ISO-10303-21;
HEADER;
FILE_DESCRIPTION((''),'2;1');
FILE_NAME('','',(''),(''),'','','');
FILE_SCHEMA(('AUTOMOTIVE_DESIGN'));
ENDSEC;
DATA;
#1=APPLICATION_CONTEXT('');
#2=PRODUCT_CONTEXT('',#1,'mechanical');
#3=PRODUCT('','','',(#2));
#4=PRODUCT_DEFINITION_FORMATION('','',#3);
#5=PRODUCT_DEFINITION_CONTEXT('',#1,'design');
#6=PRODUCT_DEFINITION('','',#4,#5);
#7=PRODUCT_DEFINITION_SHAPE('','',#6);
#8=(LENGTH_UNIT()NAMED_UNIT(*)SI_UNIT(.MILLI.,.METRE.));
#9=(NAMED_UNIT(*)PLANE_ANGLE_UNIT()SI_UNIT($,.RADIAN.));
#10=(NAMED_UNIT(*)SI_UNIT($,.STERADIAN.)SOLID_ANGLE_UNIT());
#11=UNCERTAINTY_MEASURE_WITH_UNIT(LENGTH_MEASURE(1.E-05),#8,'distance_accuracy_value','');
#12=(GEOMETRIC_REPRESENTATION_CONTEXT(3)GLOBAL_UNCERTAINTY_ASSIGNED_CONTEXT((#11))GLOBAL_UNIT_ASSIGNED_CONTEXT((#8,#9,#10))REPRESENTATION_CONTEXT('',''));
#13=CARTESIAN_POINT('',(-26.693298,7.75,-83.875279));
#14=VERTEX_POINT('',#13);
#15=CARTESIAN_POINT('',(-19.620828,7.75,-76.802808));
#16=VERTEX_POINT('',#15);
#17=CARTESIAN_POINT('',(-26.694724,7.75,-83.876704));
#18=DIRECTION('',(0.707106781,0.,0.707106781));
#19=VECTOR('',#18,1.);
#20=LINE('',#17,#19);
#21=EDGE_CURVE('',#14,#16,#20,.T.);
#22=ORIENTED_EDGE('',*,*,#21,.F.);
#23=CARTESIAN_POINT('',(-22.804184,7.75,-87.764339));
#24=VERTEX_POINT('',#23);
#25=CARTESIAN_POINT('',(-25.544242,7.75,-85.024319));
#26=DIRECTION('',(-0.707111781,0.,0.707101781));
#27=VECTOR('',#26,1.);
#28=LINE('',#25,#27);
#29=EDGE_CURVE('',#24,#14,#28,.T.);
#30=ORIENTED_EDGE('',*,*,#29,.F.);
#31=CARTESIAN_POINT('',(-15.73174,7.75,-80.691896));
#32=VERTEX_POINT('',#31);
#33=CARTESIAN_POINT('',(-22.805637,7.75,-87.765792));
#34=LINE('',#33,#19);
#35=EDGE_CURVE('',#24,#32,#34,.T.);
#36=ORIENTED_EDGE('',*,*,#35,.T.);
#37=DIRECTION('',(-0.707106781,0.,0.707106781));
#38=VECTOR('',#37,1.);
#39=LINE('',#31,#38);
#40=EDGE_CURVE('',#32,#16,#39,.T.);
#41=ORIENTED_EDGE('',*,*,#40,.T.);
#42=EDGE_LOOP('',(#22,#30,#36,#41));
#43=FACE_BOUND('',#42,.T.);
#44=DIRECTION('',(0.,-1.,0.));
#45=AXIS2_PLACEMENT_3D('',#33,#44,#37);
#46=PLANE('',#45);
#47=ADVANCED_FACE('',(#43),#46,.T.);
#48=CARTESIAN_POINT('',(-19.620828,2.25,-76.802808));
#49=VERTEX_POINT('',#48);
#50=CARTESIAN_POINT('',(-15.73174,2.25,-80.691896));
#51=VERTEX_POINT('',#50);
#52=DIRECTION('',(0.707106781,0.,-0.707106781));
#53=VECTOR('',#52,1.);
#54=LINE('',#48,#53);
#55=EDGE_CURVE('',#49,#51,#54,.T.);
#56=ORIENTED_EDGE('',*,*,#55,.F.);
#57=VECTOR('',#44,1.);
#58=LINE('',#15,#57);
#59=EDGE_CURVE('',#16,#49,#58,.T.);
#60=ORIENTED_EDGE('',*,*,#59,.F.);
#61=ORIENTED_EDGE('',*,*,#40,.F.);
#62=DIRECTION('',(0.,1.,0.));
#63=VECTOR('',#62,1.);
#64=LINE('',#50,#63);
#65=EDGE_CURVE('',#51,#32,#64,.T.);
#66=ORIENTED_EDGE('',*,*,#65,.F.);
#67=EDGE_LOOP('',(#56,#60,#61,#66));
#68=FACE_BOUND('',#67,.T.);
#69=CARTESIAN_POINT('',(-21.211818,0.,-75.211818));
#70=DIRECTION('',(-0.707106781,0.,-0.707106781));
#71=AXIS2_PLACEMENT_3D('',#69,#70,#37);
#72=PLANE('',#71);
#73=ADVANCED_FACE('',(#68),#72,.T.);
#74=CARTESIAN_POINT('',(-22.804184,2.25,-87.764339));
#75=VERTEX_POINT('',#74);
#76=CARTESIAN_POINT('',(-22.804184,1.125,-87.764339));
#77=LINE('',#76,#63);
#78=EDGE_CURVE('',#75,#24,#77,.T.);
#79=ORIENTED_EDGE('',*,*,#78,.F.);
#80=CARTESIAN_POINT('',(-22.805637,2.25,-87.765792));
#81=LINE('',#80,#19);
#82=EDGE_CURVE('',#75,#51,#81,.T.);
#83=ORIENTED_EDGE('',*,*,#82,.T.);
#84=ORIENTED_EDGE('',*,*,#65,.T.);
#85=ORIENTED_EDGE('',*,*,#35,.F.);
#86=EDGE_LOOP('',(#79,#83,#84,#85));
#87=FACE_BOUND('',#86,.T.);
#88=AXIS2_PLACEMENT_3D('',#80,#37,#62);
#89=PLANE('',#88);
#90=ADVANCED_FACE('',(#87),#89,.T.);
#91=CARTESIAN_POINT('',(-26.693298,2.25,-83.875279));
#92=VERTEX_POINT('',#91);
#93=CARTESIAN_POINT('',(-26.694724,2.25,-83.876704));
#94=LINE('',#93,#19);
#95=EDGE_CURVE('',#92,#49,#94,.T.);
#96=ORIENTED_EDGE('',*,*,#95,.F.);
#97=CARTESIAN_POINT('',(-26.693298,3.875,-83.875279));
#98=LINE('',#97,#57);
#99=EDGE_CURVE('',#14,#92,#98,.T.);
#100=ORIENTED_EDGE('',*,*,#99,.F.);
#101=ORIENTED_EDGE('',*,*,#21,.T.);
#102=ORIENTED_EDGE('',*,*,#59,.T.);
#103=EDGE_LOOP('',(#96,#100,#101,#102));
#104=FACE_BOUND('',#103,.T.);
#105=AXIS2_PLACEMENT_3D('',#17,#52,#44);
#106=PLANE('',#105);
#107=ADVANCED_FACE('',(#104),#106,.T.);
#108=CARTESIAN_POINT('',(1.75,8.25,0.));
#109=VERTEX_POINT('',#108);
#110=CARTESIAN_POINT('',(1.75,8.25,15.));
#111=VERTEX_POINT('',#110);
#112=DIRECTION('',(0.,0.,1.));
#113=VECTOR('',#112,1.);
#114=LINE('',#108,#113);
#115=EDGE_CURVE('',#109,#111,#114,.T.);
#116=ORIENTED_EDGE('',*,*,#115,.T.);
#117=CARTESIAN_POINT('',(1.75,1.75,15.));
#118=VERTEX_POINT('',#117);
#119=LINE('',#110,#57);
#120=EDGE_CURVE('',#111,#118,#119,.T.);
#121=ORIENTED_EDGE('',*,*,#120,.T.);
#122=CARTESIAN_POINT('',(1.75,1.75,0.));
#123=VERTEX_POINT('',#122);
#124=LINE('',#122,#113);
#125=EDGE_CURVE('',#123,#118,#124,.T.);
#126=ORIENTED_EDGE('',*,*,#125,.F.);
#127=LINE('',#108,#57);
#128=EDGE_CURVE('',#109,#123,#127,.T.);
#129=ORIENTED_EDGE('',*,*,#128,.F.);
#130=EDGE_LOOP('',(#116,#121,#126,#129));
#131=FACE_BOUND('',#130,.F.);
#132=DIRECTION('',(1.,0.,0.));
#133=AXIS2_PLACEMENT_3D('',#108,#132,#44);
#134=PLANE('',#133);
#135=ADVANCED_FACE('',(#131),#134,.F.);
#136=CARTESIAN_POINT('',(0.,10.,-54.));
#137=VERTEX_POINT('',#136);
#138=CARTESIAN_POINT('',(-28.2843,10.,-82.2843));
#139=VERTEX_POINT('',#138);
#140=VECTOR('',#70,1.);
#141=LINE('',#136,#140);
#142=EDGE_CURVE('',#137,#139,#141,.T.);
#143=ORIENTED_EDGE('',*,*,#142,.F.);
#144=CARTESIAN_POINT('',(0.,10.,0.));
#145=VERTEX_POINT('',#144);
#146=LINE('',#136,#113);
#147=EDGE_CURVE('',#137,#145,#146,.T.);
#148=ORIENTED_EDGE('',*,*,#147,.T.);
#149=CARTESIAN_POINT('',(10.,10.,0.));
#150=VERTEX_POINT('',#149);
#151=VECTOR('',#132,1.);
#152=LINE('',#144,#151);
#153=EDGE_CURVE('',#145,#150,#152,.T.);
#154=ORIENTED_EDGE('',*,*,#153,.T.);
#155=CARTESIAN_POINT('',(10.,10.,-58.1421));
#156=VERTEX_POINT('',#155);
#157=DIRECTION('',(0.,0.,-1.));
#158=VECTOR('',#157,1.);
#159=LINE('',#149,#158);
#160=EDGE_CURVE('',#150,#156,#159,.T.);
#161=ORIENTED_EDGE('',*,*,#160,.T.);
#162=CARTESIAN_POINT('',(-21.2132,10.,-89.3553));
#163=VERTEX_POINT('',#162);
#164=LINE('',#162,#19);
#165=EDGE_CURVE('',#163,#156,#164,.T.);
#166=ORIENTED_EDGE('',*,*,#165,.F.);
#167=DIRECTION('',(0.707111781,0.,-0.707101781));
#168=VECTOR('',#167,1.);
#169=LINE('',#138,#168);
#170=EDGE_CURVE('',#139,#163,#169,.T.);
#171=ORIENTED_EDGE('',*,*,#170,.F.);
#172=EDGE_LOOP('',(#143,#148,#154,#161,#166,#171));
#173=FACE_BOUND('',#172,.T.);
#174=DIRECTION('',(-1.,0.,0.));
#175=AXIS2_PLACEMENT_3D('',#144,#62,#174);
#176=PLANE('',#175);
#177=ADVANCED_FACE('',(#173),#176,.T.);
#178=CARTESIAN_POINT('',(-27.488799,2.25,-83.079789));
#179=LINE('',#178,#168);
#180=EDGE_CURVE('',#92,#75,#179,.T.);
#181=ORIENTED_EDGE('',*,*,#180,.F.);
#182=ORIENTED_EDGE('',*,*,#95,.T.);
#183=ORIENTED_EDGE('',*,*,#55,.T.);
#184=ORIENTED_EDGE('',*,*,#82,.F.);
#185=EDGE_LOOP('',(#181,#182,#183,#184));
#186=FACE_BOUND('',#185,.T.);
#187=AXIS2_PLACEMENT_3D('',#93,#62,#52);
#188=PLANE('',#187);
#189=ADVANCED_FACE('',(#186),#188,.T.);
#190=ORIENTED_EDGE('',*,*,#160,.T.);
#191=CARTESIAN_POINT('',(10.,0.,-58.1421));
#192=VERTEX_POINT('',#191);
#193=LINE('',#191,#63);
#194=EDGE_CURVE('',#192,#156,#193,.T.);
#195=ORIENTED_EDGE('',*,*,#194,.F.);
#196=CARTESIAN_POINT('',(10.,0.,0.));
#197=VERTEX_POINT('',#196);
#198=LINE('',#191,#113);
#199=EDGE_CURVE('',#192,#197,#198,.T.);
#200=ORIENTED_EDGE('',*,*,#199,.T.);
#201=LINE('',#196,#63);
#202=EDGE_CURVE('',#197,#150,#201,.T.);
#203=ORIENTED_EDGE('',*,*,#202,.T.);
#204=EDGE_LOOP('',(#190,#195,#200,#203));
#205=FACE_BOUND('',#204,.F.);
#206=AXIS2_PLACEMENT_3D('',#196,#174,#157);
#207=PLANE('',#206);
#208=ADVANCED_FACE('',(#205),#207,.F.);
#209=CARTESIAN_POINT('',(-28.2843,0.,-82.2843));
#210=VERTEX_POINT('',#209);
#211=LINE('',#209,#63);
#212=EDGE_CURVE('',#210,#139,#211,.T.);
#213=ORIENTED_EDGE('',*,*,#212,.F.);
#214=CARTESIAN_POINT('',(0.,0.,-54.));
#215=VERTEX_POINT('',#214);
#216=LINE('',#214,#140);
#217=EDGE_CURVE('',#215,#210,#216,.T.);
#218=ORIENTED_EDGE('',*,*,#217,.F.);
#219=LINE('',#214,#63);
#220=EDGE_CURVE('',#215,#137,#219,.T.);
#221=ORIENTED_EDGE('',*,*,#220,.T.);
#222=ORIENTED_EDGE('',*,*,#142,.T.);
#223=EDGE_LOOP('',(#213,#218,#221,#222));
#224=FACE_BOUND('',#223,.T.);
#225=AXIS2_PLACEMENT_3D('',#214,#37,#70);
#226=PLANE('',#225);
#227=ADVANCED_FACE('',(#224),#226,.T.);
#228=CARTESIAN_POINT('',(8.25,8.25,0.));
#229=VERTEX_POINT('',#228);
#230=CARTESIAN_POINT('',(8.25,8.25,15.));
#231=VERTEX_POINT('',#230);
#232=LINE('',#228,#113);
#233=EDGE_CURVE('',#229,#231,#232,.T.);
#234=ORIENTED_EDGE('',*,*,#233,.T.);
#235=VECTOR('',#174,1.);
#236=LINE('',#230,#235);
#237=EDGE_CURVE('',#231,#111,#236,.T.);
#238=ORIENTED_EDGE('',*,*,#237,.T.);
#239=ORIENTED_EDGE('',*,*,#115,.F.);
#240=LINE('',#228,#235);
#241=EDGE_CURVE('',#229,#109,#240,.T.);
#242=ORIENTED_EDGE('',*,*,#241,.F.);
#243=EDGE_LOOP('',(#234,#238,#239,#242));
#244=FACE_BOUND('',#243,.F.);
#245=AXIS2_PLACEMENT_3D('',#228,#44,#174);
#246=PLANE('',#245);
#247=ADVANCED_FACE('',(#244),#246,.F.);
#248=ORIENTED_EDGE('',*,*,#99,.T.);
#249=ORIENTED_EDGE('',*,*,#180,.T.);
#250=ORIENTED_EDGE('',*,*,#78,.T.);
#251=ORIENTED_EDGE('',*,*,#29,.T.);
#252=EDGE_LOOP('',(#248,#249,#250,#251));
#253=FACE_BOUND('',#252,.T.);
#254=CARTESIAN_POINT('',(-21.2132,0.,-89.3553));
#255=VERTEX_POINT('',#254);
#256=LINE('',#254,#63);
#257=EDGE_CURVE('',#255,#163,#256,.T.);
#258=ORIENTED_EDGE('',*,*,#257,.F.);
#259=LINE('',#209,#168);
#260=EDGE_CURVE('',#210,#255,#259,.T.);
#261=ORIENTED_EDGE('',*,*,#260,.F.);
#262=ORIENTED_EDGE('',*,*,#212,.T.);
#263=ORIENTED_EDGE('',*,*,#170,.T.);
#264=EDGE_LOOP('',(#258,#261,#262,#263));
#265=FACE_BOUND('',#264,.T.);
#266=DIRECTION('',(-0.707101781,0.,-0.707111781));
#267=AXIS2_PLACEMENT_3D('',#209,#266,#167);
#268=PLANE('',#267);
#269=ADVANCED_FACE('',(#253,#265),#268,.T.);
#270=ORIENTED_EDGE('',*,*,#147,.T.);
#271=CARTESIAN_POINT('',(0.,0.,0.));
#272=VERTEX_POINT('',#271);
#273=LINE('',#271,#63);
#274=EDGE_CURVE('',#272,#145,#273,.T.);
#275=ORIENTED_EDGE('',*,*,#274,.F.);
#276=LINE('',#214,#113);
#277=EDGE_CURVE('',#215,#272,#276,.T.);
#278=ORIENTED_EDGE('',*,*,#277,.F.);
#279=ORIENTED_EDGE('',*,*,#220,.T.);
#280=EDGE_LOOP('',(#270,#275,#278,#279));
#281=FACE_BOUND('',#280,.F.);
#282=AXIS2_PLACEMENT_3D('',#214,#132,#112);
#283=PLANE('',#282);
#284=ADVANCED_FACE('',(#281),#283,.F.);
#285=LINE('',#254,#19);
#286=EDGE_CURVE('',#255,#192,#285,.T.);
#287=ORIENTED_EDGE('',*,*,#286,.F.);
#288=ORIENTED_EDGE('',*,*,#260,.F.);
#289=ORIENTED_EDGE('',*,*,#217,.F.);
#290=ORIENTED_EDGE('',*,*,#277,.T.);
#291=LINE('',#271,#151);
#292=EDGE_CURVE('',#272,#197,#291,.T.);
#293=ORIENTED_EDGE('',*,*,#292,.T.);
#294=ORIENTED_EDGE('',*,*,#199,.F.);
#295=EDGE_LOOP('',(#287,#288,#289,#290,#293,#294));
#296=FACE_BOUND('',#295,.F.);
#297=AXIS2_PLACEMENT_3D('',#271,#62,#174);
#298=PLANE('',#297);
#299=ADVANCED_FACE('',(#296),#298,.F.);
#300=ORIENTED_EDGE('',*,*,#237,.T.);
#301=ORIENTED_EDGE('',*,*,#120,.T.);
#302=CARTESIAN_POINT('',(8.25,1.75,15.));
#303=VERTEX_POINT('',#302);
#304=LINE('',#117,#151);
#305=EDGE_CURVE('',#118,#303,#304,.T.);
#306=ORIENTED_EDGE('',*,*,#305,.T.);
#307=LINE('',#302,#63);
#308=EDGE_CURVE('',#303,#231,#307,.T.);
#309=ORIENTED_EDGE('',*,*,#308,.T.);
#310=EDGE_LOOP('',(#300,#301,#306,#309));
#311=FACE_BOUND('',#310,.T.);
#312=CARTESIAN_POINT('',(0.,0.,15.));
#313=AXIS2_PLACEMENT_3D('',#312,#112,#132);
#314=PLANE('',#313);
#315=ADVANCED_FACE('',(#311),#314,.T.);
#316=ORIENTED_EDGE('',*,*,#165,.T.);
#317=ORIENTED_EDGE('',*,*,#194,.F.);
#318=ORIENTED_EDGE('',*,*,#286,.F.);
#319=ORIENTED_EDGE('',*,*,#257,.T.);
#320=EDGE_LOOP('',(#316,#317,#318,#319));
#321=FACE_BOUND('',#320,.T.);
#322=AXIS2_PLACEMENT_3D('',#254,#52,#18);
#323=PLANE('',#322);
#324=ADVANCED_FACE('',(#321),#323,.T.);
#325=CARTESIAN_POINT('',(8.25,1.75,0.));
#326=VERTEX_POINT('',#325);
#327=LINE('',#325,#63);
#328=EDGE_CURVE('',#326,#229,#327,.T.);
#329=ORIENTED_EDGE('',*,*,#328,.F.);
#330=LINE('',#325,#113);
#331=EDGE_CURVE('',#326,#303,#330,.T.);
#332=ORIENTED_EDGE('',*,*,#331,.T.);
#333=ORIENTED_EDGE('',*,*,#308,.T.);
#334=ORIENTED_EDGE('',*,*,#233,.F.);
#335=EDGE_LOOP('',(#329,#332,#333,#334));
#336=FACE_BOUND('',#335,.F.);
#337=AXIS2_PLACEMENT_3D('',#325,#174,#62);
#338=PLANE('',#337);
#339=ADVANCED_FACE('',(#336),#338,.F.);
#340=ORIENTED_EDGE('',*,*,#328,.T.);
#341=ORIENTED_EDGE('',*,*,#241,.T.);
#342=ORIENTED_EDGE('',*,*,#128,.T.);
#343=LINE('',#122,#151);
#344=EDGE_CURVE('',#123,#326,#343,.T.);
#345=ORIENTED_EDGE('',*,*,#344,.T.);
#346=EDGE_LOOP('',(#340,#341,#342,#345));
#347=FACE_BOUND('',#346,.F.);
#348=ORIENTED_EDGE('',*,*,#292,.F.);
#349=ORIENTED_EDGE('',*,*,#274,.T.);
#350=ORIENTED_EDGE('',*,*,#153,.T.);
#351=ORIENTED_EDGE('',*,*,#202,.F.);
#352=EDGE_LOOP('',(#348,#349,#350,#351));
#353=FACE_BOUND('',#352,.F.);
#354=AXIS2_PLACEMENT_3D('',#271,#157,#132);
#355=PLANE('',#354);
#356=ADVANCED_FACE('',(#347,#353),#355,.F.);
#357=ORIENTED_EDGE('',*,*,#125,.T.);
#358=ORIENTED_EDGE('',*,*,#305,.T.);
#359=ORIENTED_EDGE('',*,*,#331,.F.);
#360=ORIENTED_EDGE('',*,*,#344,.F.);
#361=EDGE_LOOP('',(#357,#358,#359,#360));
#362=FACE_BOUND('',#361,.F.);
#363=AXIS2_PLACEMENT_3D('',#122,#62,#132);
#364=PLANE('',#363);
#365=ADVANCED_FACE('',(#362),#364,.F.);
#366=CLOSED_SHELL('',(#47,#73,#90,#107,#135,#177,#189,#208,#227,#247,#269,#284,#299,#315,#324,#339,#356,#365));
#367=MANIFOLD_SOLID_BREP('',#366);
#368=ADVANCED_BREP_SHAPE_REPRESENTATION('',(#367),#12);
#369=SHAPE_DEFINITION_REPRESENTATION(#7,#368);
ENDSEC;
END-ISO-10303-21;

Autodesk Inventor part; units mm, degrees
ref_plane "YZ Plane" through (0, 0, 0) normal (1, 0, 0) x (0, 1, 0)
ref_plane "XZ Plane" through (0, 0, 0) normal (0, 1, 0) x (-1, 0, 0)
ref_plane "XY Plane" through (0, 0, 0) normal (0, 0, 1) x (1, 0, 0)
sketch "Sketch1" plane through (0, 0, 0) normal (0, 1, 0) x (-1, 0, 0)
  line L0 (0, 0) -> (-10, 0)
  line L1 (-10, 0) -> (-10, -54)
  line L2 (0, -54) -> (0, 0)
  line L3 (0, -54) -> (28.2843, -82.2843)
  line L4 (0, -54) -> (40, -54) construction
  line L5 (28.2843, -82.2843) -> (21.2132, -89.3553)
  line L6 (21.2132, -89.3553) -> (-10, -58.1421)
  line L7 (-10, -58.1421) -> (-10, -54)
extrude "Extrusion1" add sketch "Sketch1" along normal blind 10
sketch "Sketch2" plane through (0, 0, 0) normal (0, 0, 1) x (1, 0, 0)
  line L0 (1.75, 1.75) -> (8.25, 1.75)
  line L1 (8.25, 1.75) -> (8.25, 8.25)
  line L2 (8.25, 8.25) -> (1.75, 8.25)
  line L3 (1.75, 8.25) -> (1.75, 1.75)
  point P0 (0, 0)
extrude "Extrusion2" add sketch "Sketch2" along normal blind 15
sketch "Sketch3" plane through (-28.2843, 0, -82.2843) normal (-0.7071, 0, -0.7071) x (-0.7071, 0, 0.7071)
  line L0 (-2.25, 2.25) -> (-7.75, 2.25)
  line L1 (-7.75, 2.25) -> (-7.75, 7.75)
  line L2 (-7.75, 7.75) -> (-2.25, 7.75)
  line L3 (-2.25, 7.75) -> (-2.25, 2.25)
  point P0 (38.1838, 0)
extrude "Extrusion3" cut sketch "Sketch3" against normal blind 10
properties part number "Stalk_v2"
